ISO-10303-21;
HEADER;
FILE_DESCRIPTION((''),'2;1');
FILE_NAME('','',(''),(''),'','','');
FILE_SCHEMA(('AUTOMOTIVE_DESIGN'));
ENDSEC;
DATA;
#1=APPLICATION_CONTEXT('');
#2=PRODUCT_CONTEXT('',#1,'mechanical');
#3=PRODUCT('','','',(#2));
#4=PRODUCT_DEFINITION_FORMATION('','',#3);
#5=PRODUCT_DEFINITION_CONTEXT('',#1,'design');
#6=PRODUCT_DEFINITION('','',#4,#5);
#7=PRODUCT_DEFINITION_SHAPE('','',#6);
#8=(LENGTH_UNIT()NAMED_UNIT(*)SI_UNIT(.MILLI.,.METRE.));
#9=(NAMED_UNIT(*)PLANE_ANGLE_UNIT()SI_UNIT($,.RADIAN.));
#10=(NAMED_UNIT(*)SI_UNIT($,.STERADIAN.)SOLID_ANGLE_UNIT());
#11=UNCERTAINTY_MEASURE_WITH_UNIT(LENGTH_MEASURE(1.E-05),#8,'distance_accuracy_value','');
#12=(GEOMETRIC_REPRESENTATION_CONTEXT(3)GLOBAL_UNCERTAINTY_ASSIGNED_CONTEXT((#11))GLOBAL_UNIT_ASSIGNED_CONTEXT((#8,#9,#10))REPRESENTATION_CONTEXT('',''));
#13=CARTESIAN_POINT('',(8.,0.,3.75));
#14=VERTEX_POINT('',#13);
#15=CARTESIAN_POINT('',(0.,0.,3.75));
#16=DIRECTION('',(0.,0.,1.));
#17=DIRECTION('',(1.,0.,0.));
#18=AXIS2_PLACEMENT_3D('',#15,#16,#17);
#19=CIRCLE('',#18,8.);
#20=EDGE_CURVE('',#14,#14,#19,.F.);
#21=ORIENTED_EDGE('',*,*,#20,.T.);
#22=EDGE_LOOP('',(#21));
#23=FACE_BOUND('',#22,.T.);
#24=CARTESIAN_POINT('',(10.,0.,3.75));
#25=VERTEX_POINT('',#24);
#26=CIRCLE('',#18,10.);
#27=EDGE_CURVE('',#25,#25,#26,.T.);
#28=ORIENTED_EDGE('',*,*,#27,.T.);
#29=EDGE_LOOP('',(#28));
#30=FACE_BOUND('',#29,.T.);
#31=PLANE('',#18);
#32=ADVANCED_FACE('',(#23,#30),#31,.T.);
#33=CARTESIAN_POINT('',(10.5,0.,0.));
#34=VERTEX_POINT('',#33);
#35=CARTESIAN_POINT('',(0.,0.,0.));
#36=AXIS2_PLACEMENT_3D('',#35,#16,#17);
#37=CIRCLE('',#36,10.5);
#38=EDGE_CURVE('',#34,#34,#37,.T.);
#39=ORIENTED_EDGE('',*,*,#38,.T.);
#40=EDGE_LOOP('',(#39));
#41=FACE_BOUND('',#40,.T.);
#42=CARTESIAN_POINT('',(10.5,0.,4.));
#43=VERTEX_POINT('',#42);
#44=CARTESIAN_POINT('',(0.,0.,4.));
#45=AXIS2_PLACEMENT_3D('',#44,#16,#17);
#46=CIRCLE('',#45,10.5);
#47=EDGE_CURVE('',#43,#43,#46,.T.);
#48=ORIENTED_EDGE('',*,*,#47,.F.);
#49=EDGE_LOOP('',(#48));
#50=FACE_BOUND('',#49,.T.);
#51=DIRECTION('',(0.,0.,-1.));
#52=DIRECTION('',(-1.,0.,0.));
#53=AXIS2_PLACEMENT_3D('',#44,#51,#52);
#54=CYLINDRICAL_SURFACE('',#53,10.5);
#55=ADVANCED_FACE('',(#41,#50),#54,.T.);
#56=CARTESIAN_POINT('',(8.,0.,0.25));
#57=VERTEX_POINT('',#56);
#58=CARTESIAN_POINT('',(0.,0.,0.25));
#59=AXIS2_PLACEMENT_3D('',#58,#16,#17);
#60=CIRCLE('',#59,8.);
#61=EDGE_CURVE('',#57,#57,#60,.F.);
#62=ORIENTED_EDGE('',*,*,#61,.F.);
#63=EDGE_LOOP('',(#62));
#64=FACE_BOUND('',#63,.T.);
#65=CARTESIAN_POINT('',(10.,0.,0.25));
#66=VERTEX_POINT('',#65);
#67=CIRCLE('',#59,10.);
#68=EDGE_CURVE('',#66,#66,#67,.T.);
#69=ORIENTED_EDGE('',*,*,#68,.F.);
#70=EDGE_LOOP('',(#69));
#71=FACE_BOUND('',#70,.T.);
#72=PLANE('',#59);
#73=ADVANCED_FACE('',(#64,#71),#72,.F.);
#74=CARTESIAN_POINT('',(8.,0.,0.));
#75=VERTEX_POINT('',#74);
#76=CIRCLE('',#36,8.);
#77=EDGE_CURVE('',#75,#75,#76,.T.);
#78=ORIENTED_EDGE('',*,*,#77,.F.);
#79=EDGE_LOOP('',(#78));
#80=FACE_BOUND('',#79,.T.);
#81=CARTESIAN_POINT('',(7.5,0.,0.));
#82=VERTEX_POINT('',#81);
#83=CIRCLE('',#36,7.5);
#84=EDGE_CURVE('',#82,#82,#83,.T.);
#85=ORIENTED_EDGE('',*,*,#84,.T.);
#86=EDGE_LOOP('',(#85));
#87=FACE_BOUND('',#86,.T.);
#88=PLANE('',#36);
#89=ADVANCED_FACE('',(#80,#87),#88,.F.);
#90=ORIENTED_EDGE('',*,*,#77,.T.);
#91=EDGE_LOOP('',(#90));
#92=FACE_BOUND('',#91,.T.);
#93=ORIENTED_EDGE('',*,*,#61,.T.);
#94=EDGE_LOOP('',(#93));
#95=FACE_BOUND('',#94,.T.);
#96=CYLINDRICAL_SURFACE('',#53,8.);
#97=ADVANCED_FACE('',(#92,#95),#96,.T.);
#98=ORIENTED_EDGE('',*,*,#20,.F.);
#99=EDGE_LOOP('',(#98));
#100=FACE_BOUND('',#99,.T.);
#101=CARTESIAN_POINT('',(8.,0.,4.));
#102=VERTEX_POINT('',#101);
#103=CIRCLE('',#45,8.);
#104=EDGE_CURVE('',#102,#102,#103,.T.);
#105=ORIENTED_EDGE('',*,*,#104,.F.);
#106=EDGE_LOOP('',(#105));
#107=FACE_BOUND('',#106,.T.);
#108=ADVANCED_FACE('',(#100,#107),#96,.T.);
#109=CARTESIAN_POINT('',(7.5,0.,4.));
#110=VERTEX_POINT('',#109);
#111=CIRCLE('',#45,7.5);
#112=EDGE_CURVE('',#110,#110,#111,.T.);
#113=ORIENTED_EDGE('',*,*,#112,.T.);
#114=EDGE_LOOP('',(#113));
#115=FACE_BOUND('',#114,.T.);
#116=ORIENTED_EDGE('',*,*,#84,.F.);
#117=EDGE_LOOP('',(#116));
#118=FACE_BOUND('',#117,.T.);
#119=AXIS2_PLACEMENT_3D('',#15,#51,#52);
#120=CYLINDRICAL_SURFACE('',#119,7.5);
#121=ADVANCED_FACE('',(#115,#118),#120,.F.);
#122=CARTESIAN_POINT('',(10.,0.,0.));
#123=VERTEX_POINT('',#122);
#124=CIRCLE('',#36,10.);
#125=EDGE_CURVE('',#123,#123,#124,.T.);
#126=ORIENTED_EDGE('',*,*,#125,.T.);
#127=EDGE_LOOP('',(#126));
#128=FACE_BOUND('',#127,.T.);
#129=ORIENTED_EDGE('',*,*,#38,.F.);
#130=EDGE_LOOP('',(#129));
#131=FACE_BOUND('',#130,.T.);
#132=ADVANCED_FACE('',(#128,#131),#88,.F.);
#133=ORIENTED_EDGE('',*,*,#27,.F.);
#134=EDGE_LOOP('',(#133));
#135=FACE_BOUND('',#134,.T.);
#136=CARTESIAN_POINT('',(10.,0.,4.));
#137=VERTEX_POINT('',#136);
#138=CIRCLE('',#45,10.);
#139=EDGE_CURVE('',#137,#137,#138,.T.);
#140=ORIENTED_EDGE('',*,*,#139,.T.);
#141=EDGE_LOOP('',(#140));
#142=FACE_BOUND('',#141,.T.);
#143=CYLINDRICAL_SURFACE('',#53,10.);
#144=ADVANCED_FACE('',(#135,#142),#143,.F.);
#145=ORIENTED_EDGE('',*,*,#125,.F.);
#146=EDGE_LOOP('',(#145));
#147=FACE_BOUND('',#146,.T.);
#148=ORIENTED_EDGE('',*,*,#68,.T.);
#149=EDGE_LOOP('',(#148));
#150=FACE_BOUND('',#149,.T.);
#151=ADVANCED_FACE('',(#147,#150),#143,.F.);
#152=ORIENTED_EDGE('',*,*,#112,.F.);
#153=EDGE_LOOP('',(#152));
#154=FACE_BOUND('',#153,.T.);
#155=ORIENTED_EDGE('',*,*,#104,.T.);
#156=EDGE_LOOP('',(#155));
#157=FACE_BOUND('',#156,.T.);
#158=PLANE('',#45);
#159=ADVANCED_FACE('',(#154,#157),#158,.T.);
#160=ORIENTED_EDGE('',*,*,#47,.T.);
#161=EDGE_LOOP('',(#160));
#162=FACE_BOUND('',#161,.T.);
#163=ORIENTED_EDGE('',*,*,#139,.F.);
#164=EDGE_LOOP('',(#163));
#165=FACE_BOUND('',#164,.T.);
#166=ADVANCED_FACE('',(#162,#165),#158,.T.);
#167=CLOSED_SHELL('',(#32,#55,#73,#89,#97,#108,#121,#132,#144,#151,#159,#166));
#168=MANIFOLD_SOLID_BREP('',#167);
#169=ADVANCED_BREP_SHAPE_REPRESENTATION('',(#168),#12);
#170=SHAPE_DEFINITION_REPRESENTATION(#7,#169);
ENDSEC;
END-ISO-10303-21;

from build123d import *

# Parameters (mm, degrees)
SKETCH2_R             = 10.5
SKETCH2_R_2           = 10
BOSS_EXTRUDE2_DEPTH   = 4
SKETCH2_R_3           = 8
SKETCH2_R_4           = 7.5
BOSS_EXTRUDE2_2_DEPTH = 4
BOSS_EXTRUDE3_START   = 0.25
SKETCH1_R             = 10.5
SKETCH1_R_2           = 7.5
BOSS_EXTRUDE3_DEPTH   = 3.5


with BuildPart() as part:
    # Sketch2 → Boss-Extrude2 (new body)
    with BuildSketch(Plane.XY):
        Circle(SKETCH2_R)
        Circle(SKETCH2_R_2, mode=Mode.SUBTRACT)
    extrude(amount=BOSS_EXTRUDE2_DEPTH)



with BuildPart() as body_2:
    # Sketch2 → Boss-Extrude2 2 (new body)
    with BuildSketch(Plane.XY):
        Circle(SKETCH2_R_3)
        Circle(SKETCH2_R_4, mode=Mode.SUBTRACT)
    extrude(amount=BOSS_EXTRUDE2_2_DEPTH)


with BuildPart() as part_1:
    add(part.part)

    add(body_2.part)  # Boss-Extrude3 merges body 2
    # Sketch1 → Boss-Extrude3 (add)
    with BuildSketch(Plane.XY.offset(BOSS_EXTRUDE3_START)):
        Circle(SKETCH1_R)
        Circle(SKETCH1_R_2, mode=Mode.SUBTRACT)
    extrude(amount=BOSS_EXTRUDE3_DEPTH)


solid = part_1.part
